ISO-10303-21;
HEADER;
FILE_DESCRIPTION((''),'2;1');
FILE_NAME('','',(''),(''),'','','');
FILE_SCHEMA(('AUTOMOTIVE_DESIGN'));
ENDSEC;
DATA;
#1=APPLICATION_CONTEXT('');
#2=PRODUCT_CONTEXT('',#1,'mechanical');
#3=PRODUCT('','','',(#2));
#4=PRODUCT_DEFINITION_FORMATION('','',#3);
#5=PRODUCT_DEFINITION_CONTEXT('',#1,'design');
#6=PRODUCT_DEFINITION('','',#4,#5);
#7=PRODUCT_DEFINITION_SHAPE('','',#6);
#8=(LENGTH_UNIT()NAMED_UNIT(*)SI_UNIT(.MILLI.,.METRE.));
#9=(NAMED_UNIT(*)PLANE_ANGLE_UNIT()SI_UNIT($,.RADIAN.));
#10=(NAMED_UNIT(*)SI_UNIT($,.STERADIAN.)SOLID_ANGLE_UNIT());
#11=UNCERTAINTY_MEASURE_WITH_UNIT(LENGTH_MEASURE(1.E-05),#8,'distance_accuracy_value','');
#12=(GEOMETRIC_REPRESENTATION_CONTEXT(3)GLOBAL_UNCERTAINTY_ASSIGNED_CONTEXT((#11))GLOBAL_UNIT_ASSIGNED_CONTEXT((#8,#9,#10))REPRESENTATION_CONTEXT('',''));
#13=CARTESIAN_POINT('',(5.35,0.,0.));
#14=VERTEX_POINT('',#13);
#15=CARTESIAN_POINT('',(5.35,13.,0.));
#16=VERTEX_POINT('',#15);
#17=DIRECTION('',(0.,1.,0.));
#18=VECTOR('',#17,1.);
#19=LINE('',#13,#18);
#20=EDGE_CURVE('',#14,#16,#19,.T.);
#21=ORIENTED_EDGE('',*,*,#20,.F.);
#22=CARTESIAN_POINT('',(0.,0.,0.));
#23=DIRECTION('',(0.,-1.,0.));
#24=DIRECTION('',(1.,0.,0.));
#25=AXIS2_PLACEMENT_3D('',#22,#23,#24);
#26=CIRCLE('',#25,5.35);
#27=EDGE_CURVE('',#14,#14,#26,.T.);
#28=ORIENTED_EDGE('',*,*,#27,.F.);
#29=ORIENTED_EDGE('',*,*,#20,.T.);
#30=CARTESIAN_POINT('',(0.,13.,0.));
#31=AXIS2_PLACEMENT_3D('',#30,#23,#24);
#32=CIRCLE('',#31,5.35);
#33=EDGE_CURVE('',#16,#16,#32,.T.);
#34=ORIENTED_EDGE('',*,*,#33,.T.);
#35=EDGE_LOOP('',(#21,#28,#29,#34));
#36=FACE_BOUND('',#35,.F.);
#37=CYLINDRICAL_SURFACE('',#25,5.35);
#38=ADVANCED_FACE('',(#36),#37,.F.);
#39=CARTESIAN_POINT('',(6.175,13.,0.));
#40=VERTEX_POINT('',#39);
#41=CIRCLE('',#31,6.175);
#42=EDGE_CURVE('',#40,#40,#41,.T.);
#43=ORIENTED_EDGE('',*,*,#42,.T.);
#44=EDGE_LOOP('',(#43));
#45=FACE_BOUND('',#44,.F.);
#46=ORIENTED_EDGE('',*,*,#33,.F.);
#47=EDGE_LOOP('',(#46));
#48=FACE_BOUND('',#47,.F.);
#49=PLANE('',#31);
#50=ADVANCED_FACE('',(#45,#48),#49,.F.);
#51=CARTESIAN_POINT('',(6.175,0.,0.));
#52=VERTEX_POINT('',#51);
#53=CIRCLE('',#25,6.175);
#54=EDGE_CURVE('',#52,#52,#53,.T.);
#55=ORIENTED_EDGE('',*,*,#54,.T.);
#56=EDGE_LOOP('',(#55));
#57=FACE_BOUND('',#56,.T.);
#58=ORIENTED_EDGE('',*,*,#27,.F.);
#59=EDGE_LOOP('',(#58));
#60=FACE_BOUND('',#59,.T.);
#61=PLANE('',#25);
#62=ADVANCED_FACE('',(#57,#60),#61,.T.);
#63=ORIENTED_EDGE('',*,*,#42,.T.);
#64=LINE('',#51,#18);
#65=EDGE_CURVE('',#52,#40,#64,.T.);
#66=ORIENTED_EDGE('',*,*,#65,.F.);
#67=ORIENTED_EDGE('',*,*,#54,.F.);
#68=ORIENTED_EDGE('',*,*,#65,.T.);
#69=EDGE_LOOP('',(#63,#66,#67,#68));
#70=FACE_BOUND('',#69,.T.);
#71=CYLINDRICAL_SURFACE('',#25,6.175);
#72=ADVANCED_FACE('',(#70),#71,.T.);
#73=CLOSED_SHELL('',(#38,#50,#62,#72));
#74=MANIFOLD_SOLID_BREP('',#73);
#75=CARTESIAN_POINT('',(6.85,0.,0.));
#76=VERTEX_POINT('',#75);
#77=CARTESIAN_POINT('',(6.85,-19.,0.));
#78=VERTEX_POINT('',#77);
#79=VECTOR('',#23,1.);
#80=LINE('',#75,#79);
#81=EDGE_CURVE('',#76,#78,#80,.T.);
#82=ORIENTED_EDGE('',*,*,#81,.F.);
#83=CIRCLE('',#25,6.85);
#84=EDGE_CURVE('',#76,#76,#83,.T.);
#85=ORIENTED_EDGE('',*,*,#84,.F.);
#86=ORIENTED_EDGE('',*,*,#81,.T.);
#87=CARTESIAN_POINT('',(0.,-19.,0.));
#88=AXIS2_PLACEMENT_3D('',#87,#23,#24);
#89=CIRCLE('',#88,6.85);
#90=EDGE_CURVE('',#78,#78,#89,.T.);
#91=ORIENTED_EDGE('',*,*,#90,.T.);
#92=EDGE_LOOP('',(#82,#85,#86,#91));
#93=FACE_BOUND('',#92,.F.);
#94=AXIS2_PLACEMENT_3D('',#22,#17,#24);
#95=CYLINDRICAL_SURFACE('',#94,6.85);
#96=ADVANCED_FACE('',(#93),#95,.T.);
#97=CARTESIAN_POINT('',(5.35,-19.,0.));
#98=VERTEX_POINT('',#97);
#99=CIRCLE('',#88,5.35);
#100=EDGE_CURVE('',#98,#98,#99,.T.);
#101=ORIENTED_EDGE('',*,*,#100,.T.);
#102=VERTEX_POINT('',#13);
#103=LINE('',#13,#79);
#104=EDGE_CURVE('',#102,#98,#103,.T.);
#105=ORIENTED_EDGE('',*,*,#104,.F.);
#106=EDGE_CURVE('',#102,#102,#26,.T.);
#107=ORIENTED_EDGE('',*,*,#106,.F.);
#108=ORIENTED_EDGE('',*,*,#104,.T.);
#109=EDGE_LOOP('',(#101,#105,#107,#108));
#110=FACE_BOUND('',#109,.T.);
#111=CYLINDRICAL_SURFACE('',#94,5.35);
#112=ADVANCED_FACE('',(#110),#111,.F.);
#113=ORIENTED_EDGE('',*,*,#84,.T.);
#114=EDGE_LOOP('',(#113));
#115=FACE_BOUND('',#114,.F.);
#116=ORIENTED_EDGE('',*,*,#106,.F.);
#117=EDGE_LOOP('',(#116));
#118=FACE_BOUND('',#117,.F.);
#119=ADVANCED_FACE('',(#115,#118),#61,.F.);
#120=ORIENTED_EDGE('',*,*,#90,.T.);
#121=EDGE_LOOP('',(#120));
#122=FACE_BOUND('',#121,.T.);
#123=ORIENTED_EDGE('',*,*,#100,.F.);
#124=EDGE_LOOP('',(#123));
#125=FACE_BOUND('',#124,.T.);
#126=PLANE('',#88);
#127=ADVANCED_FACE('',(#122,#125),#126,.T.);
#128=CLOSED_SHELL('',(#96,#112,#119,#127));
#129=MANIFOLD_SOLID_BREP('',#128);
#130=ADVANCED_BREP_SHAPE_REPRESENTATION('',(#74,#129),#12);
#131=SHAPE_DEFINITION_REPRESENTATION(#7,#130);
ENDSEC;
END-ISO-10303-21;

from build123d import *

# Parameters (mm, degrees)
F2_R     = 6.85
F2_R_2   = 5.35
F3_DEPTH = 19
F4_R     = 6.175
F4_R_2   = 5.35
F5_DEPTH = 13


with BuildPart() as f3:
    # F2 (on Front) → F3 (new body)
    with BuildSketch(Plane.XZ):
        Circle(F2_R)
        Circle(F2_R_2, mode=Mode.SUBTRACT)
    extrude(amount=F3_DEPTH)


with BuildPart() as f5:
    # F4 (on Front) → F5 (new body)
    with BuildSketch(Plane.XZ):
        Circle(F4_R)
        Circle(F4_R_2, mode=Mode.SUBTRACT)
    extrude(amount=-F5_DEPTH)


solid = Compound([f3.part, f5.part])
